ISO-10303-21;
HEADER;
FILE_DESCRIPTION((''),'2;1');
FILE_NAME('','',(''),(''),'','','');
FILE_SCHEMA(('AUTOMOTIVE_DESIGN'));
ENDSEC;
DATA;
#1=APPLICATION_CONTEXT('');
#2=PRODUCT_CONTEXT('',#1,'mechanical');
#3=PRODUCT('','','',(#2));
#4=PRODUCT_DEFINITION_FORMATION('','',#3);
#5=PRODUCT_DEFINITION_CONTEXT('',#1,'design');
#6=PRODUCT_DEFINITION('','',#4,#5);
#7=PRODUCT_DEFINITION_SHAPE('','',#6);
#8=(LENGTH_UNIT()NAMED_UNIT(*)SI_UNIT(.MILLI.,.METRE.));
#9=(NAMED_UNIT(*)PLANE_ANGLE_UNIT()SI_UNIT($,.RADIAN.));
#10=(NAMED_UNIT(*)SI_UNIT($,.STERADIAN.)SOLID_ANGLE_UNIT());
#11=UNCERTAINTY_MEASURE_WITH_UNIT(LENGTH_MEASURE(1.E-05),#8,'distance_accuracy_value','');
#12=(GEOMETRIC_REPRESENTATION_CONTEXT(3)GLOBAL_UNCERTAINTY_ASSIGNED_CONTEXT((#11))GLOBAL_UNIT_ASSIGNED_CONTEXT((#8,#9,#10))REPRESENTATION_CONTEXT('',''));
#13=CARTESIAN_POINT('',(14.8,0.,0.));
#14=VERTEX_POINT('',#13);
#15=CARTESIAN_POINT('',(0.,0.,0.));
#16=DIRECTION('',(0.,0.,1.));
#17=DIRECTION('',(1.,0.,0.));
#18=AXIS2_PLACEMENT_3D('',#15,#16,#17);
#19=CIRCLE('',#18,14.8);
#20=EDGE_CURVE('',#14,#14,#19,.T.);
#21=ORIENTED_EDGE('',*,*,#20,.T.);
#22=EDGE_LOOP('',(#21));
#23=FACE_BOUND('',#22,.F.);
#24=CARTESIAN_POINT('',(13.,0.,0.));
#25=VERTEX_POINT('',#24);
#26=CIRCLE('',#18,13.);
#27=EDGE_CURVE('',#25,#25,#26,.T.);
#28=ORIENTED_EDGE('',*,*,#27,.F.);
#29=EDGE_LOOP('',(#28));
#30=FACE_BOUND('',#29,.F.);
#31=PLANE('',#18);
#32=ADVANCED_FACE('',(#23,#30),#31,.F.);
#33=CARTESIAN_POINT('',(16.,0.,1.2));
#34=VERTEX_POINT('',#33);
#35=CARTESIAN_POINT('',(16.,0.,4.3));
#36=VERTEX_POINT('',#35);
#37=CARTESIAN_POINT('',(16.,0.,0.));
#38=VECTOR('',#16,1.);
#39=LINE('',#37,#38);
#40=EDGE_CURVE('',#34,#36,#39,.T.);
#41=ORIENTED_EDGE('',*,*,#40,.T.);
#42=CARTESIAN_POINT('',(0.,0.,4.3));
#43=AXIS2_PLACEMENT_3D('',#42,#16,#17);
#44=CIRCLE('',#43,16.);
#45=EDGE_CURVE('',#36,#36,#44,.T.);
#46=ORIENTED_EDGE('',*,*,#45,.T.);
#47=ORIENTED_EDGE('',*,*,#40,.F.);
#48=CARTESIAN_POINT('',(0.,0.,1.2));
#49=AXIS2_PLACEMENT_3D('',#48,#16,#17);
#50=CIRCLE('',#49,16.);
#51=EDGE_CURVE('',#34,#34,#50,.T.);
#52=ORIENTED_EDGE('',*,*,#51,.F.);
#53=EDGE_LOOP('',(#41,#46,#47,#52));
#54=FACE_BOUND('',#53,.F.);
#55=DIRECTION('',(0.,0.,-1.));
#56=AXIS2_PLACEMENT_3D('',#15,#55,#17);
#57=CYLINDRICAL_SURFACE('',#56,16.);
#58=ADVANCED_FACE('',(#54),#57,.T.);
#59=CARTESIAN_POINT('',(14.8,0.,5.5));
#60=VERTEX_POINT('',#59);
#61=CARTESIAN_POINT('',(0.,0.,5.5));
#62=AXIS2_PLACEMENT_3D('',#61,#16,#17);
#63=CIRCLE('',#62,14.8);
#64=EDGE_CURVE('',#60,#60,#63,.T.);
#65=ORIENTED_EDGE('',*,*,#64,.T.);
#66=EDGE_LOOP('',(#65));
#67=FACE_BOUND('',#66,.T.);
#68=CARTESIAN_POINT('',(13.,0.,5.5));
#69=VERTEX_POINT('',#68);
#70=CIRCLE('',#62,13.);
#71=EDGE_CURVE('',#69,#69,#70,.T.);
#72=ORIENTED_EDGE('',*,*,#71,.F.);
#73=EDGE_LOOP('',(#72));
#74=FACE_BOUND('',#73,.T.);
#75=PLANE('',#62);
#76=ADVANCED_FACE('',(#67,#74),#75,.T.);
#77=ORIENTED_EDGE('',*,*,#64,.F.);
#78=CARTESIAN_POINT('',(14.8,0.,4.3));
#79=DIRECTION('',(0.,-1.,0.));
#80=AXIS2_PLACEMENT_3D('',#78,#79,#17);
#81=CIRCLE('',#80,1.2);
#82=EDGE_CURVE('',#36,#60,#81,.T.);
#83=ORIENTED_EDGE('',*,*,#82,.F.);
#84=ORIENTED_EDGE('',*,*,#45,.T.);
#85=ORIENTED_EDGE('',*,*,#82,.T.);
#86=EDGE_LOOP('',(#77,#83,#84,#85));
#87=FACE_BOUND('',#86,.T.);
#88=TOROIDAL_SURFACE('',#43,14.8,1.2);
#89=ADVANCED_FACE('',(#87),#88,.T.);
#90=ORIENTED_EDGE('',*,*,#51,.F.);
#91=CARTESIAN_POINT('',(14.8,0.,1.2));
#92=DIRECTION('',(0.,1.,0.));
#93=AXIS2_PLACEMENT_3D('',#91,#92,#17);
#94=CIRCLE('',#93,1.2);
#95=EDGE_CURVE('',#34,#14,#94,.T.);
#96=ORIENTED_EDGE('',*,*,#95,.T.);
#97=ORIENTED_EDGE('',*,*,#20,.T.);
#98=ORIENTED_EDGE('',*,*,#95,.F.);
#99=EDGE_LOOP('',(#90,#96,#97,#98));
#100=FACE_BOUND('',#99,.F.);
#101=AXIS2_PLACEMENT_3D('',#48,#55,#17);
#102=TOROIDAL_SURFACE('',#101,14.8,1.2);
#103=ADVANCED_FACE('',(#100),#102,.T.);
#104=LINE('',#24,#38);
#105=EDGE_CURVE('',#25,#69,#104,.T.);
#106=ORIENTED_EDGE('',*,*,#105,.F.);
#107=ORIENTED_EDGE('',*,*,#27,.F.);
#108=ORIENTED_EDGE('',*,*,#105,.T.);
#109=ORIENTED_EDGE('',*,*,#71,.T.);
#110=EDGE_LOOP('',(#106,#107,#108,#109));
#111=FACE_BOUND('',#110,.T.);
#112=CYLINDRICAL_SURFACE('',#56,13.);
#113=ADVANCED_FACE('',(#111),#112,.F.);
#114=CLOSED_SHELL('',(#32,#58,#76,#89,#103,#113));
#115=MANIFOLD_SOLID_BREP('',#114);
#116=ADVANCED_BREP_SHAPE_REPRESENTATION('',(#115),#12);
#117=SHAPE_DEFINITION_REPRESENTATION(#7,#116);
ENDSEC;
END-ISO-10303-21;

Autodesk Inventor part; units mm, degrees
ref_plane "YZ Plane" through (0, 0, 0) normal (1, 0, 0) x (0, 1, 0)
ref_plane "XZ Plane" through (0, 0, 0) normal (0, 1, 0) x (-1, 0, 0)
ref_plane "XY Plane" through (0, 0, 0) normal (0, 0, 1) x (1, 0, 0)
sketch "Esquisse1" plane through (0, 0, 0) normal (0, 0, 1) x (1, 0, 0)
  circle A0 centre (0, 0) radius 16
  circle A1 centre (0, 0) radius 13
  dimension "d0" = 32
  dimension "d1" = 26
extrude "Extrusion1" add sketch "Esquisse1" along normal blind 5.5
fillet "Congé1" radius 1.2 2 edges at (-16, 0, 5.5) (-16, 0, 0)
properties part number "Pneu" material "Caoutchouc"
